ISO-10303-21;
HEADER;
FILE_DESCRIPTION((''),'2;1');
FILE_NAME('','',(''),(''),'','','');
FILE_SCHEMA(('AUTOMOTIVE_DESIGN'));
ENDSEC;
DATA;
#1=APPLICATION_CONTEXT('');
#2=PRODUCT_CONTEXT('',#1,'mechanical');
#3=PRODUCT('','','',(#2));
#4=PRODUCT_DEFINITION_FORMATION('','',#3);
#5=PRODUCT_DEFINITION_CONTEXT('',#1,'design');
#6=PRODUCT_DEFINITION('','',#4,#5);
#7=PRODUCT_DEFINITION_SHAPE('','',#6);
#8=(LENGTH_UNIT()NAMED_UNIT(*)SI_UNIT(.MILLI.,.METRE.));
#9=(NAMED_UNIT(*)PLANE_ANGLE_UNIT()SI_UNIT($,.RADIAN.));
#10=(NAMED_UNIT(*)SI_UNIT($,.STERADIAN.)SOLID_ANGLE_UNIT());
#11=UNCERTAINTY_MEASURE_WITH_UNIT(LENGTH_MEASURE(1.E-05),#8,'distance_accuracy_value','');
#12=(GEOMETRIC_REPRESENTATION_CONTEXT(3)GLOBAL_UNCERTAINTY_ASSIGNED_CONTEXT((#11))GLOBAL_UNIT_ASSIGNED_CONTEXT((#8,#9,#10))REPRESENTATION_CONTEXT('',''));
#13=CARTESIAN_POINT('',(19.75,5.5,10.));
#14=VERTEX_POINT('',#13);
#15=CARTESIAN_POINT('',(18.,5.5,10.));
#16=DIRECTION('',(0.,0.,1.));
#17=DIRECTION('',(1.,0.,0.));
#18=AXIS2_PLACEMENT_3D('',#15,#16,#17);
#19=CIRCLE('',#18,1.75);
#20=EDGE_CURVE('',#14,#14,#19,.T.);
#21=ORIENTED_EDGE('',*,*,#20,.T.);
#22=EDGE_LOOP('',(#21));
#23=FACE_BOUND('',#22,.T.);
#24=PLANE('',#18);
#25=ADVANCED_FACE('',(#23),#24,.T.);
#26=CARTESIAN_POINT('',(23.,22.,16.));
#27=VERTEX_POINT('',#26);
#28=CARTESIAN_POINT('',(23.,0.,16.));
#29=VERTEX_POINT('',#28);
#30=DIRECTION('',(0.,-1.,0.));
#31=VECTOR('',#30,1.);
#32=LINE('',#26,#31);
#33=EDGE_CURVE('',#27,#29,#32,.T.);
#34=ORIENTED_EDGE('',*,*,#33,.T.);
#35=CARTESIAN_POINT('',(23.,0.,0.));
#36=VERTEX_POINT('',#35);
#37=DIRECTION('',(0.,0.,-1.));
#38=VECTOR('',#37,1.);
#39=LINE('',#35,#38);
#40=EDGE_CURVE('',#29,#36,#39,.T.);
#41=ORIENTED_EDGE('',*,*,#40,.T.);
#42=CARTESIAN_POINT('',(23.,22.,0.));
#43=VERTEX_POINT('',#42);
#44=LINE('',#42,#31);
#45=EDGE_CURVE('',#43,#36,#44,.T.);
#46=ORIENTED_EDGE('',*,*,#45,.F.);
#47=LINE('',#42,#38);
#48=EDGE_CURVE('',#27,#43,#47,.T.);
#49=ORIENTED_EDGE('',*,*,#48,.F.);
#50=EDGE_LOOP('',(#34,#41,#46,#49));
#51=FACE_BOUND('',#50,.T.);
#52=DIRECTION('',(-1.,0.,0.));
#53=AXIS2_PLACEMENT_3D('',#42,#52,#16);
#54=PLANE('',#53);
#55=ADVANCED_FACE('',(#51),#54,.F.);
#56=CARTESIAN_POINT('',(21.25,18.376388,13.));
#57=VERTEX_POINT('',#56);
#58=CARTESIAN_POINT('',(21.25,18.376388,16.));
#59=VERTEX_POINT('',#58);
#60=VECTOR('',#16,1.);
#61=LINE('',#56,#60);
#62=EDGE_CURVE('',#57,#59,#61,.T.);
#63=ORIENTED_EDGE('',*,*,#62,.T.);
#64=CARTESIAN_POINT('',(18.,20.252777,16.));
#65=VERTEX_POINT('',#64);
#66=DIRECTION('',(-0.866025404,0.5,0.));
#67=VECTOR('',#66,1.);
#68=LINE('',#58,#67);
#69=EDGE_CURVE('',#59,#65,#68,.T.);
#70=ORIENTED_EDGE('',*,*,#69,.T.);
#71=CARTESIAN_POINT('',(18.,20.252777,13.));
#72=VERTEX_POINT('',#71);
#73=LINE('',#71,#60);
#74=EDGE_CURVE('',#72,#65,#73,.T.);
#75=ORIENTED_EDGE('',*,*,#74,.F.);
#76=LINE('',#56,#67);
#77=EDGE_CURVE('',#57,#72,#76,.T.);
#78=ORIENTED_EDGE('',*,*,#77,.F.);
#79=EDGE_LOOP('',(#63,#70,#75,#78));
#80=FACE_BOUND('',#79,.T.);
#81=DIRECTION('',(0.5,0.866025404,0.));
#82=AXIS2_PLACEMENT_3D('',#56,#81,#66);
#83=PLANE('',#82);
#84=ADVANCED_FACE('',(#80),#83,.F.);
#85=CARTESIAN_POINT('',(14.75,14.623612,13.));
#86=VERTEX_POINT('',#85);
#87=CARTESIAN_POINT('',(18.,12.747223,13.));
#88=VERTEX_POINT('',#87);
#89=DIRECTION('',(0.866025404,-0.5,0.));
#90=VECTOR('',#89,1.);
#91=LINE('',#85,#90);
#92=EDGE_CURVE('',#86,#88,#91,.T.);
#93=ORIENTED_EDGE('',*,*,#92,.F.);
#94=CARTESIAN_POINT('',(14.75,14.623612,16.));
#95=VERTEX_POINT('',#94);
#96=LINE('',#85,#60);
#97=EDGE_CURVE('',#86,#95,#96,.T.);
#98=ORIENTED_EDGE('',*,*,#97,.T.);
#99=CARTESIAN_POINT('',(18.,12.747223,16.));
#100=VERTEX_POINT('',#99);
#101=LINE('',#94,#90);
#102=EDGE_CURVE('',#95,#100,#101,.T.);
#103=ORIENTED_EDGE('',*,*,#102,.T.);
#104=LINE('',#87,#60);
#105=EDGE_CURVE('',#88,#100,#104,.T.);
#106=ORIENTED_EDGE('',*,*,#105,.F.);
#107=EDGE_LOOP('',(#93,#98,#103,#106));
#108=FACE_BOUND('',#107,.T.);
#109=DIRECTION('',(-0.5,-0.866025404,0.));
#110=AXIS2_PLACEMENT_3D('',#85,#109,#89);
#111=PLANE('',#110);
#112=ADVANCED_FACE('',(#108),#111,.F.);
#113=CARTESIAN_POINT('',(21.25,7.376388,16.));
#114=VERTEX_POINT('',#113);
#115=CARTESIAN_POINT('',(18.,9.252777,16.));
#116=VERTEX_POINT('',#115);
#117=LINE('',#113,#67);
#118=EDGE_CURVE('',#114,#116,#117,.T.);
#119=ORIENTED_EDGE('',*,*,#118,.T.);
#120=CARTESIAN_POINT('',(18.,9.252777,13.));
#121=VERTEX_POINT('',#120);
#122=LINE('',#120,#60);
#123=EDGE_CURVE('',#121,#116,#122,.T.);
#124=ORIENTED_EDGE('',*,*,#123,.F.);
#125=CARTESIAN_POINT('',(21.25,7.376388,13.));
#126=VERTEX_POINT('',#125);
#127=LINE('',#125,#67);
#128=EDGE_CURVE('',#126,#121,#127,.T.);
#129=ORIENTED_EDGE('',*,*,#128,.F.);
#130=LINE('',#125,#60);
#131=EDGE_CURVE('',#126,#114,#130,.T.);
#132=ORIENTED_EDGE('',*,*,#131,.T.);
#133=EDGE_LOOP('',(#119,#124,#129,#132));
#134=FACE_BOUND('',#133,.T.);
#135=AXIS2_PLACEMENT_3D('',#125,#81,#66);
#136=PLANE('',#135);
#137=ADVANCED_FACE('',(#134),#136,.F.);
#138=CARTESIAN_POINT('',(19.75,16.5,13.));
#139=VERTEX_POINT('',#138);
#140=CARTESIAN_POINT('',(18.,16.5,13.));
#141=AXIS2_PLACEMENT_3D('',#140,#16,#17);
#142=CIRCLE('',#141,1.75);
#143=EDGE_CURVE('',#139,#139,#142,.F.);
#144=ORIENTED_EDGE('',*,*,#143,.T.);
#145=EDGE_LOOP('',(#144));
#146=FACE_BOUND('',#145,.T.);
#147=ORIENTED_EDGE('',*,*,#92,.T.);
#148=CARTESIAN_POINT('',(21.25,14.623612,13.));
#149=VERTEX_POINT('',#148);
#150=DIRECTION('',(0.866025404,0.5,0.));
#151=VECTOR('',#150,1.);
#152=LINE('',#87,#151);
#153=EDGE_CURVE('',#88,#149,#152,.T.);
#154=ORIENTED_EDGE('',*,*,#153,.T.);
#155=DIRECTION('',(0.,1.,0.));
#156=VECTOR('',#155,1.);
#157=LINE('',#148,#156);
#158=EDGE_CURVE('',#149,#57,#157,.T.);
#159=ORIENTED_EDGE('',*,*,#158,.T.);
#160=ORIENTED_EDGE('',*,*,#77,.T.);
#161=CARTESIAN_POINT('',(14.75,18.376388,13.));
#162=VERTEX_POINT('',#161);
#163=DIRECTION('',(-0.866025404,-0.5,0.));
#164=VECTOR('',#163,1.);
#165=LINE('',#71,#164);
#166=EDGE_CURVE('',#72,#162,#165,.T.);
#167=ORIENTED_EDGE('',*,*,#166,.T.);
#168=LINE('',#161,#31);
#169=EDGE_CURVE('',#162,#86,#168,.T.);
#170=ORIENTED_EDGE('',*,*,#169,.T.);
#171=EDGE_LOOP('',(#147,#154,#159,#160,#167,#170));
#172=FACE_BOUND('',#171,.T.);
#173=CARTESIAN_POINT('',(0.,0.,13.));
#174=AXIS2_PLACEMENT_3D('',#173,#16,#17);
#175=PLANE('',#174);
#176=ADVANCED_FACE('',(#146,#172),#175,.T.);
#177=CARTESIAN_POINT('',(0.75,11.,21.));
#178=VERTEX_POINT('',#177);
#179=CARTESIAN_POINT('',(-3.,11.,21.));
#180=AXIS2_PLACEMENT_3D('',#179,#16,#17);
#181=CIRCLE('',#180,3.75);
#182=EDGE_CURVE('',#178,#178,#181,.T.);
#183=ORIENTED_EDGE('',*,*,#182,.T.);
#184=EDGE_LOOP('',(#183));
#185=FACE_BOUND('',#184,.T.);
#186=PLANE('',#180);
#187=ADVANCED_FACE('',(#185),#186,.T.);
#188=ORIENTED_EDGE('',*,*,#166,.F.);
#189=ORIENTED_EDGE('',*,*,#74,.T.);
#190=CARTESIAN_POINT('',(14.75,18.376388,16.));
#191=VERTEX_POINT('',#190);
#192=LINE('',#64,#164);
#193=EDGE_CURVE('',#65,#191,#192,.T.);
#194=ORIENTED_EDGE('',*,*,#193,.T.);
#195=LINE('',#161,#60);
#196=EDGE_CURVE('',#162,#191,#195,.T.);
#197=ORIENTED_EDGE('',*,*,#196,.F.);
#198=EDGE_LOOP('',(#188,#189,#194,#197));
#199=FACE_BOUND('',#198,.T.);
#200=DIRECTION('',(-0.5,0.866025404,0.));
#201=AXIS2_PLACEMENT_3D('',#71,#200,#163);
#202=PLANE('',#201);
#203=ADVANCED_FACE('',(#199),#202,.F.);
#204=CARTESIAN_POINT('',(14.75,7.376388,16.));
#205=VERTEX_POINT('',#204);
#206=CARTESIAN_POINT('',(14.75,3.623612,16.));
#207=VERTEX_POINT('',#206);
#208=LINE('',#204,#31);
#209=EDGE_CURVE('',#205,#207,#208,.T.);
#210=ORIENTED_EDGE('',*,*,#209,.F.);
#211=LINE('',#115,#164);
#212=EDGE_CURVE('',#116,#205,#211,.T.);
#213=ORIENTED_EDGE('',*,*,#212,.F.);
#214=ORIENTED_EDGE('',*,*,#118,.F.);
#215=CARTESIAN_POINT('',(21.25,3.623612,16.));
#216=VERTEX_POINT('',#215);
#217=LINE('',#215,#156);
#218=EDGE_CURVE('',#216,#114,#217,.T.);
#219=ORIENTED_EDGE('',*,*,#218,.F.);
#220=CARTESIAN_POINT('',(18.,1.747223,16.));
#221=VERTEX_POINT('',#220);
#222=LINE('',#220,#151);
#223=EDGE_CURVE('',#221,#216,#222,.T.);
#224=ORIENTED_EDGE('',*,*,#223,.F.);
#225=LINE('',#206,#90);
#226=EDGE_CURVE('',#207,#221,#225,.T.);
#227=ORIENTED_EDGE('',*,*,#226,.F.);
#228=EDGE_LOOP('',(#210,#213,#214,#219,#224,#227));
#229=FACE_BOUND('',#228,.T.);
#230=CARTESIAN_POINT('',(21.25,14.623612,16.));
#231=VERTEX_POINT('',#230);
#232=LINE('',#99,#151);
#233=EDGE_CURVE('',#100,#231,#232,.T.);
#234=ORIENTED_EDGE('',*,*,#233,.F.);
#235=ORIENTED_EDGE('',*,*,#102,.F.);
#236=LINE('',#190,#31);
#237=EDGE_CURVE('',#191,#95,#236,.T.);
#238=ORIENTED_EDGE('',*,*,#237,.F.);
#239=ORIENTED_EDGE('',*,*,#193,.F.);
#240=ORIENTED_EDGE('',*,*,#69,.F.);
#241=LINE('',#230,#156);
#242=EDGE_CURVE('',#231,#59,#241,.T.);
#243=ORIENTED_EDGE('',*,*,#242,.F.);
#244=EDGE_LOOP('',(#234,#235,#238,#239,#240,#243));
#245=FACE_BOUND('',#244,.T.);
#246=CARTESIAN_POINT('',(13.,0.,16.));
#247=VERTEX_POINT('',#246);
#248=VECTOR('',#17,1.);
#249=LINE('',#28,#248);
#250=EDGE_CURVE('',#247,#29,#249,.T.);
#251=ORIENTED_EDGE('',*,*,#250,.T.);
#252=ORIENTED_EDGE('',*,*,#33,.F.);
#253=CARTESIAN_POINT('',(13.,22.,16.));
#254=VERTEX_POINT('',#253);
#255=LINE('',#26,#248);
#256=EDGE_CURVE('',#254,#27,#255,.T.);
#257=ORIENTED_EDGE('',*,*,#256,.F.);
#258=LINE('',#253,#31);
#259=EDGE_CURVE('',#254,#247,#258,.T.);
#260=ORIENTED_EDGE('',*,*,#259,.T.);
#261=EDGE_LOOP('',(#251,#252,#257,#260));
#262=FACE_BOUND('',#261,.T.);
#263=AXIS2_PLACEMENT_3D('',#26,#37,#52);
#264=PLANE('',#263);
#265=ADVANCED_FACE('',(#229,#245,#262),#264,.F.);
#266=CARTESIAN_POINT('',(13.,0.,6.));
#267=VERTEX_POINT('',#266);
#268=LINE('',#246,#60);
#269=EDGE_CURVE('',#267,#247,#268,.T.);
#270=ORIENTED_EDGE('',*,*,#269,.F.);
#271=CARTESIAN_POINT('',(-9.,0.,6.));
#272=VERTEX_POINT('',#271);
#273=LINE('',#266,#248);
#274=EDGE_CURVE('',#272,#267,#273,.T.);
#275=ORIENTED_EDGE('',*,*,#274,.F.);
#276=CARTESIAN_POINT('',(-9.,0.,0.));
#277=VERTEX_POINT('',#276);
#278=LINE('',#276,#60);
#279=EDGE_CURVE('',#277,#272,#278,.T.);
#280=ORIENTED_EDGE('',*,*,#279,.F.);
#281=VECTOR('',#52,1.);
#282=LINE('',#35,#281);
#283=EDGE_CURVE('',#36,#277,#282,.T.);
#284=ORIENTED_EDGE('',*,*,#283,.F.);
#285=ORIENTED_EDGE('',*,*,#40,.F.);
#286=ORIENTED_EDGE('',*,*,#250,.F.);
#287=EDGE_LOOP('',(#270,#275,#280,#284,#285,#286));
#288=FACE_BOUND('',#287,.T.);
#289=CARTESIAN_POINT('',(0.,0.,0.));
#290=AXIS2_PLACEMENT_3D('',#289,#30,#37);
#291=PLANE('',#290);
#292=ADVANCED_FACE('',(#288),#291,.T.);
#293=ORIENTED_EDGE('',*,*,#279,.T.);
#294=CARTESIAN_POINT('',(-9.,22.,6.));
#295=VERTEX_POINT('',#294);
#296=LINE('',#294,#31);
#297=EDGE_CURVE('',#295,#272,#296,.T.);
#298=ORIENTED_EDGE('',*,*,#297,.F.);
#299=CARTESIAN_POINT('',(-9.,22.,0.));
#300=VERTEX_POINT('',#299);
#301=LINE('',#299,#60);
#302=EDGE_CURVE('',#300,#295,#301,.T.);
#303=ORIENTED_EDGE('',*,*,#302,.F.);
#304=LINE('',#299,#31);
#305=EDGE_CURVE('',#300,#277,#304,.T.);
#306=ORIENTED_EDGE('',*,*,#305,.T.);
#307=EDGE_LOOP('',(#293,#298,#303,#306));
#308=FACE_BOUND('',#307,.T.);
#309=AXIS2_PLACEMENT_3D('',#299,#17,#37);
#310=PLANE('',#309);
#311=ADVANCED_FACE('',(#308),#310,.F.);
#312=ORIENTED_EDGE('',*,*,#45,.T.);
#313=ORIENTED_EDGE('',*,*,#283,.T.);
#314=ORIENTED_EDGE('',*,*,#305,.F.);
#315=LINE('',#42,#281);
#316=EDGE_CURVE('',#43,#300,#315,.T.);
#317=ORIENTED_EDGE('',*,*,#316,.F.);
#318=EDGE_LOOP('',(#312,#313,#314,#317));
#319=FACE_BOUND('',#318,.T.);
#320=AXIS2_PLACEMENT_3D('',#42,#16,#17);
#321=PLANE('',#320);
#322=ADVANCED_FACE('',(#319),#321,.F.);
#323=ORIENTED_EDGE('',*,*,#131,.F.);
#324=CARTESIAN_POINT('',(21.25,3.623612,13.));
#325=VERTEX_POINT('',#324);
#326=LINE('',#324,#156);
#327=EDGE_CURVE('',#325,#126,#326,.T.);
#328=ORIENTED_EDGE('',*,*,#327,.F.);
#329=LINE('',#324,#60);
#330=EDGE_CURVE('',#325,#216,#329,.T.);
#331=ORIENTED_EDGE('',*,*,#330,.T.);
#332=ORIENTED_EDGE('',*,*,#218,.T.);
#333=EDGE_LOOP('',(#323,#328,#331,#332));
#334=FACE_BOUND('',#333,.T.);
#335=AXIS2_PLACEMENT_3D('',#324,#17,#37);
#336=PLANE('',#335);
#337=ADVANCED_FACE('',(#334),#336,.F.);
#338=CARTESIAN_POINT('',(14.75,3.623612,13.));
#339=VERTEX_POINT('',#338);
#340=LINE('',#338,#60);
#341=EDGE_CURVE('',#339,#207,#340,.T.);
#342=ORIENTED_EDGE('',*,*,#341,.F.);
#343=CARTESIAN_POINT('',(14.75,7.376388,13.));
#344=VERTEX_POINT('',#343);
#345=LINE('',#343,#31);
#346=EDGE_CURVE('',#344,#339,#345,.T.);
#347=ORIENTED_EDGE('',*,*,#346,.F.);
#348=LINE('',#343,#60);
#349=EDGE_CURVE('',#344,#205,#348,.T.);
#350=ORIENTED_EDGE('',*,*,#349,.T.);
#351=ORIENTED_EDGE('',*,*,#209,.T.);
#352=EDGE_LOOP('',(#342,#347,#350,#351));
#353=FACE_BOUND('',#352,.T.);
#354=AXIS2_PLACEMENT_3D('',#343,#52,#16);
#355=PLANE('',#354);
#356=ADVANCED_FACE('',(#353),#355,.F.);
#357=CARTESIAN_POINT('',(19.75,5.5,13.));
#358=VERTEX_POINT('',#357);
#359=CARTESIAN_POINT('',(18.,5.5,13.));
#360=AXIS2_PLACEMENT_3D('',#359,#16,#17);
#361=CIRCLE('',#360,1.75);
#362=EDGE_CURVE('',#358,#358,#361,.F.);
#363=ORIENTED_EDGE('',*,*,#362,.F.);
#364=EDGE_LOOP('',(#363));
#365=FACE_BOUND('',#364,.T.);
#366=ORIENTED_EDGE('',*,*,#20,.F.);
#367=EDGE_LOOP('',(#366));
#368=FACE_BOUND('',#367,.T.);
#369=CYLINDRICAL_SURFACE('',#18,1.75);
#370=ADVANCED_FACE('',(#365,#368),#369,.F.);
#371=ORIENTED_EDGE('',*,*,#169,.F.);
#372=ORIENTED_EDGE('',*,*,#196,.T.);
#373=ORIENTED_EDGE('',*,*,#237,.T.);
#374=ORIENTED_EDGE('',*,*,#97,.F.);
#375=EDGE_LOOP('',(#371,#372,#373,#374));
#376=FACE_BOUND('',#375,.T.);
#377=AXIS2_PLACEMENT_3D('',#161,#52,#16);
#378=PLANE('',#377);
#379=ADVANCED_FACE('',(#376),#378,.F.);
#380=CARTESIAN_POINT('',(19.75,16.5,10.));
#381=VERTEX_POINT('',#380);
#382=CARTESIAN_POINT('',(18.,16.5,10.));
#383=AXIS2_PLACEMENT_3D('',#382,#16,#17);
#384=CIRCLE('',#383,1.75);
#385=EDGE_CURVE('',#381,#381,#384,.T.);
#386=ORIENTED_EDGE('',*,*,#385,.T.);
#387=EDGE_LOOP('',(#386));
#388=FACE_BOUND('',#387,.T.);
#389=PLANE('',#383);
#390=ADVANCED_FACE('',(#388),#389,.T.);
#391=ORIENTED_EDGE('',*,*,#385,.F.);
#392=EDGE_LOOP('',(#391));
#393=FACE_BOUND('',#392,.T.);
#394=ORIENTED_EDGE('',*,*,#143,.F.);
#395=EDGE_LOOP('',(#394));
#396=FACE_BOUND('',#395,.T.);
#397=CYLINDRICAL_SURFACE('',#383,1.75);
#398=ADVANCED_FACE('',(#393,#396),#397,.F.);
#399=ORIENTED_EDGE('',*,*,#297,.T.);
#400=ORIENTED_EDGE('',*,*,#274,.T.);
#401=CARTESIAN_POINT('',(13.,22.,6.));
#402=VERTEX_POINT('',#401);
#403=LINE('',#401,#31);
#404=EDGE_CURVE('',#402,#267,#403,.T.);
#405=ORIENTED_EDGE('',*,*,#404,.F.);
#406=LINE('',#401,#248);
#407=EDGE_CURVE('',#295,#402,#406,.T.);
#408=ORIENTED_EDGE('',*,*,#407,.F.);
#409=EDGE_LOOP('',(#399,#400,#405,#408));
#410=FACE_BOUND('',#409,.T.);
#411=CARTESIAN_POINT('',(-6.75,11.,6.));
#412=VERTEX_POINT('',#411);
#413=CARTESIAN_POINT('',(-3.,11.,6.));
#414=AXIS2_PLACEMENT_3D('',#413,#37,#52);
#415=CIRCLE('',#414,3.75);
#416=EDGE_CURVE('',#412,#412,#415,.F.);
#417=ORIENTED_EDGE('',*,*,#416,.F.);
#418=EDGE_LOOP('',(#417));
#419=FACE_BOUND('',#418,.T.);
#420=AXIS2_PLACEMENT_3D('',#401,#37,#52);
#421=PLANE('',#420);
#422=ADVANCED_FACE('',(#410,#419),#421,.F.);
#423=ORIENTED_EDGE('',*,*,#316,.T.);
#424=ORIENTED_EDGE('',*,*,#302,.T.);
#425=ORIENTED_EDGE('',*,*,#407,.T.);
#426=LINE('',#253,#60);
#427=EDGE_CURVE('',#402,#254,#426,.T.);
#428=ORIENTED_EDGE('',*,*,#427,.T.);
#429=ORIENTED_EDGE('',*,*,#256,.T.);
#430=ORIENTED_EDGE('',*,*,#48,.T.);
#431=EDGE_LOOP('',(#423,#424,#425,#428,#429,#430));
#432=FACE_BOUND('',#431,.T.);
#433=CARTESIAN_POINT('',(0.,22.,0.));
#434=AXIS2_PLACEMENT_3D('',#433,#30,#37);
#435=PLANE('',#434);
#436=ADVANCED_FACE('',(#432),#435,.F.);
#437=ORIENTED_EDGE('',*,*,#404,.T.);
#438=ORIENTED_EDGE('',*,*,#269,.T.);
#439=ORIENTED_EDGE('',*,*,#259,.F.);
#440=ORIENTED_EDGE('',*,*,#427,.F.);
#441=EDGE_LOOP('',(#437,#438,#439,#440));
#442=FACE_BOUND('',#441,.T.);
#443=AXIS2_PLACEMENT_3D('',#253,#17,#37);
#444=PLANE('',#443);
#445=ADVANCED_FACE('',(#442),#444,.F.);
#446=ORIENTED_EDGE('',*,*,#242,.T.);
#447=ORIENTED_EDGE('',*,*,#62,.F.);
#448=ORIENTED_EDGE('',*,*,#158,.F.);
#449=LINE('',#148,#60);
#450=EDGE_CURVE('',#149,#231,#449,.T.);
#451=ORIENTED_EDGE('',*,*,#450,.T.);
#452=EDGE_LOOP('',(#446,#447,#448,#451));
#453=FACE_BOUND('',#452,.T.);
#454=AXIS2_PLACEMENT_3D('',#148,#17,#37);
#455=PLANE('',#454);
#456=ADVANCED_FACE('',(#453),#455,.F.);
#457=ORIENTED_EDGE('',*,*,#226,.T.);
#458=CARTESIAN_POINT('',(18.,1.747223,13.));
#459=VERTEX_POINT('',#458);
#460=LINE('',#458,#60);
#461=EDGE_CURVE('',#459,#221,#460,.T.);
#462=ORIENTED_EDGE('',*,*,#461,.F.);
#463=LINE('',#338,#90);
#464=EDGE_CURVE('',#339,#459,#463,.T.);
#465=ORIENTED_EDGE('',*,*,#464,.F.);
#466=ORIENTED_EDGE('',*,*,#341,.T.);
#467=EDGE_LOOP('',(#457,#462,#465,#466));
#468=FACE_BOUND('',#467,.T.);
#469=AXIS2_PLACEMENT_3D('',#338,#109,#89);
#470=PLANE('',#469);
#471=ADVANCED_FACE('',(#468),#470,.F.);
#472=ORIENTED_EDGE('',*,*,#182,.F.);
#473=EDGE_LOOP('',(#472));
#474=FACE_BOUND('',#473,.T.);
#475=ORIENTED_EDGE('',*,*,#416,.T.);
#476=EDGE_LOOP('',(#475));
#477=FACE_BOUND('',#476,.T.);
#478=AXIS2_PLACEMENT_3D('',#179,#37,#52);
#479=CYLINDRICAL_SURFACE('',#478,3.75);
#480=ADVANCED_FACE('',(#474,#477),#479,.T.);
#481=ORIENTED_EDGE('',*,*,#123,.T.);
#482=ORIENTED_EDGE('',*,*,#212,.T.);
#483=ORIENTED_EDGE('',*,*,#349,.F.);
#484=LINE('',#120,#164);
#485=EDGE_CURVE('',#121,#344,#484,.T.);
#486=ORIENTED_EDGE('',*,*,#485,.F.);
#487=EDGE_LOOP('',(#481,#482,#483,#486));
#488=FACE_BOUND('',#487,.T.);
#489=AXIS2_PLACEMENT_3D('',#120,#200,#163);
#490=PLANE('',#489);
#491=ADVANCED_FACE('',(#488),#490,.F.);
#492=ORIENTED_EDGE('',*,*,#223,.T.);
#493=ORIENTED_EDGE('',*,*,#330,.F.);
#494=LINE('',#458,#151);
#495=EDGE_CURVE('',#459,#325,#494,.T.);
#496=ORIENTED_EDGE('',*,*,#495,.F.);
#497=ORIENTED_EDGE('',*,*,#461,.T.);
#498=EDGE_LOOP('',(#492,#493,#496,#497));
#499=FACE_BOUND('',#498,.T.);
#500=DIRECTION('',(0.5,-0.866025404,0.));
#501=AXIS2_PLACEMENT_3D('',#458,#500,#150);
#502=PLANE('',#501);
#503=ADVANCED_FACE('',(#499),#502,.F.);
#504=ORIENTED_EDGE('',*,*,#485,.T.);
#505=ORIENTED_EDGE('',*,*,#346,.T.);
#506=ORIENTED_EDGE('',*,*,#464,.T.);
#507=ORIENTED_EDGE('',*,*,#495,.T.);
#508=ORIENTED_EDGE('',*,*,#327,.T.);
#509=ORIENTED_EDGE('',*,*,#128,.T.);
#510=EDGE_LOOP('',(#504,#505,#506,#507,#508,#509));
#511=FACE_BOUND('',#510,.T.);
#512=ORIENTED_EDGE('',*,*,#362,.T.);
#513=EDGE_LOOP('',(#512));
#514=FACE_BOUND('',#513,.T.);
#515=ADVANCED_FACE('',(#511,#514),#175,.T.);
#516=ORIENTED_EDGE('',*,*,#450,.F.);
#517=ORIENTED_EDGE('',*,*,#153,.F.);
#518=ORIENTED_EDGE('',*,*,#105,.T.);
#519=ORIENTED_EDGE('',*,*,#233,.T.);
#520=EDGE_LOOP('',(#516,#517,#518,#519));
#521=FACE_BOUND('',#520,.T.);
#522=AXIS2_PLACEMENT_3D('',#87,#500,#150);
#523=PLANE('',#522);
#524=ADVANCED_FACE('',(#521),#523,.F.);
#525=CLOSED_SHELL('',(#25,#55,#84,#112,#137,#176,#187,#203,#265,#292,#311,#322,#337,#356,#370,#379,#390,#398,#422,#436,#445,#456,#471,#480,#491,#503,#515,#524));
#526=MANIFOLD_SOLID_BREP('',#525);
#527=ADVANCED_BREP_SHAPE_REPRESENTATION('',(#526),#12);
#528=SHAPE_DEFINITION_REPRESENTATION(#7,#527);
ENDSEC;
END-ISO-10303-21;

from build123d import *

# Parameters (mm, degrees)
BOSS_EXTRUDE1_DEPTH = 22
SKETCH3_R           = 3.75
BOSS_EXTRUDE2_DEPTH = 15
SKETCH7_R           = 1.75
CUT_EXTRUDE3_DEPTH  = 6
CUT_EXTRUDE4_DEPTH  = 3


with BuildPart() as part:
    # Sketch2 → Boss-Extrude1 (new body)
    with BuildSketch(Plane(origin=(0, 0, 0), x_dir=(1, 0, 0), z_dir=(0, 1, 0))):
        Polygon((23, 0), (-9, 0), (-9, -6), (13, -6), (13, -16), (23, -16), align=None)
    extrude(amount=BOSS_EXTRUDE1_DEPTH)

    # Sketch3 → Boss-Extrude2 (add)
    with BuildSketch(Plane.XY.offset(6)):
        with Locations(Location((-3, 11, 0), (0, 0, 180))):
            Circle(SKETCH3_R)
    extrude(amount=BOSS_EXTRUDE2_DEPTH)

    # Sketch7 → Cut-Extrude3 (cut)
    with BuildSketch(Plane.XY.offset(16)):
        with Locations((18, 16.5)):
            Circle(SKETCH7_R)
        with Locations((18, 5.5)):
            Circle(SKETCH7_R)
    extrude(amount=-CUT_EXTRUDE3_DEPTH, mode=Mode.SUBTRACT)

    # Sketch8 → Cut-Extrude4 (cut)
    with BuildSketch(Plane.XY.offset(16)):
        Polygon((21.25, 14.623611625), (21.25, 18.376388375), (18, 20.25277675), (14.75, 18.376388375), (14.75, 14.623611625), (18, 12.74722325), align=None)
        Polygon((21.25, 3.623611625), (21.25, 7.376388375), (18, 9.25277675), (14.75, 7.376388375), (14.75, 3.623611625), (18, 1.74722325), align=None)
    extrude(amount=-CUT_EXTRUDE4_DEPTH, mode=Mode.SUBTRACT)


solid = part.part
